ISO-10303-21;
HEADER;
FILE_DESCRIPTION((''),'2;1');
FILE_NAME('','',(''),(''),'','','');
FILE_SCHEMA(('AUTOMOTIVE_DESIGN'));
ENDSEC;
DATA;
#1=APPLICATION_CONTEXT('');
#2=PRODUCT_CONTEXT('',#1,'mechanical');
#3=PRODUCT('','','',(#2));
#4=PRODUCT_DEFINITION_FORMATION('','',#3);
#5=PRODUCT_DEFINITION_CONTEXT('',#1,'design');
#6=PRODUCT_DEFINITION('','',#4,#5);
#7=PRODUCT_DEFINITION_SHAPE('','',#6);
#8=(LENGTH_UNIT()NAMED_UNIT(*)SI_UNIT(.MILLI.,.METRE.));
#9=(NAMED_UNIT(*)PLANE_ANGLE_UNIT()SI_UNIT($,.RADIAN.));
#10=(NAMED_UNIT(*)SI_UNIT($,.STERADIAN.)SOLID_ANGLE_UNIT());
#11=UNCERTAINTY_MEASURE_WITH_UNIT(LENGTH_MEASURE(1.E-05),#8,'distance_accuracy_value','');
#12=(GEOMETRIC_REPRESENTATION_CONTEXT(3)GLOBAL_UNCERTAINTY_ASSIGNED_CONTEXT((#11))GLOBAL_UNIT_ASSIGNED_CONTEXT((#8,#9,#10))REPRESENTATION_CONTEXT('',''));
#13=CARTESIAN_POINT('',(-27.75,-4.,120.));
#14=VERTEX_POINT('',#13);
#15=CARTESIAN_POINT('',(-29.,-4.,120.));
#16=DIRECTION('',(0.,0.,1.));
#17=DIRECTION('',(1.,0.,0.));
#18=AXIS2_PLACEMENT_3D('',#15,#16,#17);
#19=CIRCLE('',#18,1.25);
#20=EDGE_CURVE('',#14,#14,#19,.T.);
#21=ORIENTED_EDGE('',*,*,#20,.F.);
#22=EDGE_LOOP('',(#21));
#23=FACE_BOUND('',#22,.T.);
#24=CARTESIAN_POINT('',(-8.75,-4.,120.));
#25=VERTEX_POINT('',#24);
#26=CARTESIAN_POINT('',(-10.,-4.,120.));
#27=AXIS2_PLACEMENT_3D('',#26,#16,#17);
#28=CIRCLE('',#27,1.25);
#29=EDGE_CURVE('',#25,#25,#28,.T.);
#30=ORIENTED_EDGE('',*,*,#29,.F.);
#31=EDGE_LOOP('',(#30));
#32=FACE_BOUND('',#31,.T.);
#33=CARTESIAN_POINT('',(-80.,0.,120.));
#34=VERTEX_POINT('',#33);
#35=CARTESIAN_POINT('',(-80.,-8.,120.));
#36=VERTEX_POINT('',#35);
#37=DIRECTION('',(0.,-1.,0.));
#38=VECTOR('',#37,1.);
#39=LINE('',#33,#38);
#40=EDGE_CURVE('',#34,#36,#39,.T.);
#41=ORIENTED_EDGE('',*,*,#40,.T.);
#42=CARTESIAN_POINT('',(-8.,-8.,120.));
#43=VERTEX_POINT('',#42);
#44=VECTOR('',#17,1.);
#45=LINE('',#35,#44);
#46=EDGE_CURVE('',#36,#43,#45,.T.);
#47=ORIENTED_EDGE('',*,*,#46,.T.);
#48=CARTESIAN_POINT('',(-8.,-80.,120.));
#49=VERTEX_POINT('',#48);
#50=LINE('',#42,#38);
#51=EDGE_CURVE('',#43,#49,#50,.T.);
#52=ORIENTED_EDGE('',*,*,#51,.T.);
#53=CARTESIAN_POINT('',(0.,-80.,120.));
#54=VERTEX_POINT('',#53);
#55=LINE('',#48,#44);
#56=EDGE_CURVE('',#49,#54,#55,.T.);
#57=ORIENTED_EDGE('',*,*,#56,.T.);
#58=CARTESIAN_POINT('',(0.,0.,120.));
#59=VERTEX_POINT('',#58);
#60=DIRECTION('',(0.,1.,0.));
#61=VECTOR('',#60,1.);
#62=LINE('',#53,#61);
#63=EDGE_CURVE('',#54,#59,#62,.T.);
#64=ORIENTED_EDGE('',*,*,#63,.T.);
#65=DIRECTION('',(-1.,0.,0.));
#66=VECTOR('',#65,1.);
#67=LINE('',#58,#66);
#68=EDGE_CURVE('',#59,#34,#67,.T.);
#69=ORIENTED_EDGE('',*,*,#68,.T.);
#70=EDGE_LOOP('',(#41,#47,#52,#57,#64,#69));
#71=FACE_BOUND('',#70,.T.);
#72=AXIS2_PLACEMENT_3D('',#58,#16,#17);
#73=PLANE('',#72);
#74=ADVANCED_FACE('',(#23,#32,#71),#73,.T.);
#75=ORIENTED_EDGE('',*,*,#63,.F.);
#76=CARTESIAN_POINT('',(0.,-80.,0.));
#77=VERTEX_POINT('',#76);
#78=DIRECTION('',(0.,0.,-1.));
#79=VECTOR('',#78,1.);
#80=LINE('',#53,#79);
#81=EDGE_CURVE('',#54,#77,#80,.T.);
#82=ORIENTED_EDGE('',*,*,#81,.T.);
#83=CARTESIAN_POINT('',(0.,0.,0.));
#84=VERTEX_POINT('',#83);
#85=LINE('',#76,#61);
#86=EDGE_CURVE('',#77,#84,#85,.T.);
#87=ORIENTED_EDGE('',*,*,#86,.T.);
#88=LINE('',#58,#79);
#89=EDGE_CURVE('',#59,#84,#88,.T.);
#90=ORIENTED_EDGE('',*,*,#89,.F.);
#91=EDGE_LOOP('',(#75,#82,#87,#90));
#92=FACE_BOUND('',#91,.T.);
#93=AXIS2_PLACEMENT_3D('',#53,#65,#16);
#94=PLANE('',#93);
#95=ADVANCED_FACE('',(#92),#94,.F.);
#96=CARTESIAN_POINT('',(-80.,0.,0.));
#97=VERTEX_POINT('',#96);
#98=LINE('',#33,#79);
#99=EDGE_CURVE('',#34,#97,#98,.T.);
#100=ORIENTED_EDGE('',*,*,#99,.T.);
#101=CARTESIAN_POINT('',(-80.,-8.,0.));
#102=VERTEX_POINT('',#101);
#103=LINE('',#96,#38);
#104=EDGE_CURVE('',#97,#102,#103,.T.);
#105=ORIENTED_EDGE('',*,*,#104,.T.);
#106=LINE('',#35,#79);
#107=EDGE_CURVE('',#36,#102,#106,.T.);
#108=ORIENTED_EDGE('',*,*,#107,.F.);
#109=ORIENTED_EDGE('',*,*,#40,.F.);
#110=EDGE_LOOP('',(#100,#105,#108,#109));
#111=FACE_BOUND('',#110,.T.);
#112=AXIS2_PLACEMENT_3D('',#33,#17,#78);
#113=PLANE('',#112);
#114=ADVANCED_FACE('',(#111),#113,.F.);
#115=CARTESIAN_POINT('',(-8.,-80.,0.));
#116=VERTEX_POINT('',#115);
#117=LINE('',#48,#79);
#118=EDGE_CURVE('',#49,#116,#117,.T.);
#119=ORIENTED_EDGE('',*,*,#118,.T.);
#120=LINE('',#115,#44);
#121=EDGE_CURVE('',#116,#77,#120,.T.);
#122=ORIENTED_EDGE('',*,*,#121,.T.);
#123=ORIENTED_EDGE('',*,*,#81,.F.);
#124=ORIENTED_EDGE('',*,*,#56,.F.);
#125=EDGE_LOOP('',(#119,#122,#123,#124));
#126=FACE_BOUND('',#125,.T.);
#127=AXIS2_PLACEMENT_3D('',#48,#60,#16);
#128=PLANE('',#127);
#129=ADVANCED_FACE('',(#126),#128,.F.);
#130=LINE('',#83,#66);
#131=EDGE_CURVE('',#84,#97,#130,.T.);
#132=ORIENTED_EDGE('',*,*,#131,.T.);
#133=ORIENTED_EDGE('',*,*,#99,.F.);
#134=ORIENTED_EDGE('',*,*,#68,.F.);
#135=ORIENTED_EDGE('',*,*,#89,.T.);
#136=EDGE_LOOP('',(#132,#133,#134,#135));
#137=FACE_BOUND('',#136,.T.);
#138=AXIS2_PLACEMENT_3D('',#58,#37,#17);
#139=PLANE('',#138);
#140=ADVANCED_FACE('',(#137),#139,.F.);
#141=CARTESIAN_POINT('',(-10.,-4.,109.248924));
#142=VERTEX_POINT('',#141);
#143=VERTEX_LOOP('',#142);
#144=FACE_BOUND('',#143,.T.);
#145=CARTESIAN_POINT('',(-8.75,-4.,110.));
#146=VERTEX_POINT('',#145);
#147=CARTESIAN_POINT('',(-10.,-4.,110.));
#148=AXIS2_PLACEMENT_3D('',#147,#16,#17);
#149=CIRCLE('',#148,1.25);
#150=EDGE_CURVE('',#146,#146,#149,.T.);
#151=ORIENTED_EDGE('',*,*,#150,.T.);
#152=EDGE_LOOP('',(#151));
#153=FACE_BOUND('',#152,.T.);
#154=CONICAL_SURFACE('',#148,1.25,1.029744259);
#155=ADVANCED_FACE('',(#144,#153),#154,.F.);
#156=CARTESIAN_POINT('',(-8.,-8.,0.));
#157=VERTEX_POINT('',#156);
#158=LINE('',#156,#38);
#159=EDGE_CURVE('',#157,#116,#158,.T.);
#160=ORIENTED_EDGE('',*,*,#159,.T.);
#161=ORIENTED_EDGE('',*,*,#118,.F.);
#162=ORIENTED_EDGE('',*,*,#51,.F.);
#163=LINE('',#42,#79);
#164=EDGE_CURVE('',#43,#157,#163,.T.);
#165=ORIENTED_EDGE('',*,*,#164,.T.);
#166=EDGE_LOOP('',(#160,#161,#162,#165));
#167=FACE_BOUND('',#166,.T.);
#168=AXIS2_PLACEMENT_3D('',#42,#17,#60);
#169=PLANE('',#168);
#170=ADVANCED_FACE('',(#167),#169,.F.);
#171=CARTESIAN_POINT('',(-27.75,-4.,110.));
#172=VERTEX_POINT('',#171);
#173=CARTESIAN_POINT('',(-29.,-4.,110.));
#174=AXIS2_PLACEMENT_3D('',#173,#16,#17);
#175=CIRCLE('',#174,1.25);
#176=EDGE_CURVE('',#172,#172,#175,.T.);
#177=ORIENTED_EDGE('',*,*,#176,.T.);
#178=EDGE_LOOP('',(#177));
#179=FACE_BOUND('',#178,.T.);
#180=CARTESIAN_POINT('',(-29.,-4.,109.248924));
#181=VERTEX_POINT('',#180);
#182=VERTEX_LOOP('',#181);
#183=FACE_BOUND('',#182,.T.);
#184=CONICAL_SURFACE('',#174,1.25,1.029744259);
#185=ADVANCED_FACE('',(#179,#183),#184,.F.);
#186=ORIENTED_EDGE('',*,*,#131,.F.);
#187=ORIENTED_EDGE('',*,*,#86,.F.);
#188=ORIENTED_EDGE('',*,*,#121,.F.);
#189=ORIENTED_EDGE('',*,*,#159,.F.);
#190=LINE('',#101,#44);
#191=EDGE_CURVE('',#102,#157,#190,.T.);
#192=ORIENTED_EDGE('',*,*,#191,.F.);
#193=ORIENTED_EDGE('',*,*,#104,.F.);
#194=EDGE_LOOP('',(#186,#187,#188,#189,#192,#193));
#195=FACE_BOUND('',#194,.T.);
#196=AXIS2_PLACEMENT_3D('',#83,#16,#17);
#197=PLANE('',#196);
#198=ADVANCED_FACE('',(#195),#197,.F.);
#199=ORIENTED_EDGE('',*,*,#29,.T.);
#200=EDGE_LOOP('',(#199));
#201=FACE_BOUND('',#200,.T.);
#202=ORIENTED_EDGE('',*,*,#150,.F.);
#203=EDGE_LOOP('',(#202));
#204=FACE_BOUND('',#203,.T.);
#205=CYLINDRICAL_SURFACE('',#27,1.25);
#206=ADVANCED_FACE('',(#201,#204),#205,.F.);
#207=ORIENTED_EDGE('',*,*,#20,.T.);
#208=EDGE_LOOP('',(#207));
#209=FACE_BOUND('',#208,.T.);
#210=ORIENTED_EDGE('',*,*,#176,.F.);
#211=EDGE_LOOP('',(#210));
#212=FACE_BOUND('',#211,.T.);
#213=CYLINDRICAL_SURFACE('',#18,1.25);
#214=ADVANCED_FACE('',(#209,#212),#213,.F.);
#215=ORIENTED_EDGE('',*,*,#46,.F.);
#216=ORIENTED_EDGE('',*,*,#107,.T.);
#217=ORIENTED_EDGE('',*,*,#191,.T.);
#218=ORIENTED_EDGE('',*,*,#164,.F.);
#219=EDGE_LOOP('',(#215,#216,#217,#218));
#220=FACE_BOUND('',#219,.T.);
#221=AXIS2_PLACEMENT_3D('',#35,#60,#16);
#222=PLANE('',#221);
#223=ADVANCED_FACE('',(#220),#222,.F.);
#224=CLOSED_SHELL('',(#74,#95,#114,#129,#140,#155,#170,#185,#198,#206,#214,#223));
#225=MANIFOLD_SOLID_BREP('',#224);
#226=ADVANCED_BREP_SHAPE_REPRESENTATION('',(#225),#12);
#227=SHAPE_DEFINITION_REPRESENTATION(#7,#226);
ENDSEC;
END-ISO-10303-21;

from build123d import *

# Parameters (mm, degrees)
ESTRUSIONE_ESTRUSIONE1_DEPTH = 120
FORO_FILETTATO_M3_1_D        = 2.5
FORO_FILETTATO_M3_1_DEPTH    = 10
FORO_FILETTATO_M3_1_TIP      = 0.751075774


with BuildPart() as part:
    # Schizzo1 → Estrusione-Estrusione1 (new body)
    with BuildSketch(Plane.XY):
        Polygon((0, 0), (-80, 0), (-80, -8), (-8, -8), (-8, -80), (0, -80), align=None)
    extrude(amount=ESTRUSIONE_ESTRUSIONE1_DEPTH)

    # Foro filettato M3-1
    with Locations(Plane.XY.offset(120)):
        with Locations((-10, -4), (-29, -4)):
            Hole(FORO_FILETTATO_M3_1_D / 2, depth=FORO_FILETTATO_M3_1_DEPTH)
            with Locations((0, 0, -(FORO_FILETTATO_M3_1_DEPTH + FORO_FILETTATO_M3_1_TIP / 2))):  # 118° drill point
                Cone(0, FORO_FILETTATO_M3_1_D / 2, FORO_FILETTATO_M3_1_TIP, mode=Mode.SUBTRACT)


solid = part.part
